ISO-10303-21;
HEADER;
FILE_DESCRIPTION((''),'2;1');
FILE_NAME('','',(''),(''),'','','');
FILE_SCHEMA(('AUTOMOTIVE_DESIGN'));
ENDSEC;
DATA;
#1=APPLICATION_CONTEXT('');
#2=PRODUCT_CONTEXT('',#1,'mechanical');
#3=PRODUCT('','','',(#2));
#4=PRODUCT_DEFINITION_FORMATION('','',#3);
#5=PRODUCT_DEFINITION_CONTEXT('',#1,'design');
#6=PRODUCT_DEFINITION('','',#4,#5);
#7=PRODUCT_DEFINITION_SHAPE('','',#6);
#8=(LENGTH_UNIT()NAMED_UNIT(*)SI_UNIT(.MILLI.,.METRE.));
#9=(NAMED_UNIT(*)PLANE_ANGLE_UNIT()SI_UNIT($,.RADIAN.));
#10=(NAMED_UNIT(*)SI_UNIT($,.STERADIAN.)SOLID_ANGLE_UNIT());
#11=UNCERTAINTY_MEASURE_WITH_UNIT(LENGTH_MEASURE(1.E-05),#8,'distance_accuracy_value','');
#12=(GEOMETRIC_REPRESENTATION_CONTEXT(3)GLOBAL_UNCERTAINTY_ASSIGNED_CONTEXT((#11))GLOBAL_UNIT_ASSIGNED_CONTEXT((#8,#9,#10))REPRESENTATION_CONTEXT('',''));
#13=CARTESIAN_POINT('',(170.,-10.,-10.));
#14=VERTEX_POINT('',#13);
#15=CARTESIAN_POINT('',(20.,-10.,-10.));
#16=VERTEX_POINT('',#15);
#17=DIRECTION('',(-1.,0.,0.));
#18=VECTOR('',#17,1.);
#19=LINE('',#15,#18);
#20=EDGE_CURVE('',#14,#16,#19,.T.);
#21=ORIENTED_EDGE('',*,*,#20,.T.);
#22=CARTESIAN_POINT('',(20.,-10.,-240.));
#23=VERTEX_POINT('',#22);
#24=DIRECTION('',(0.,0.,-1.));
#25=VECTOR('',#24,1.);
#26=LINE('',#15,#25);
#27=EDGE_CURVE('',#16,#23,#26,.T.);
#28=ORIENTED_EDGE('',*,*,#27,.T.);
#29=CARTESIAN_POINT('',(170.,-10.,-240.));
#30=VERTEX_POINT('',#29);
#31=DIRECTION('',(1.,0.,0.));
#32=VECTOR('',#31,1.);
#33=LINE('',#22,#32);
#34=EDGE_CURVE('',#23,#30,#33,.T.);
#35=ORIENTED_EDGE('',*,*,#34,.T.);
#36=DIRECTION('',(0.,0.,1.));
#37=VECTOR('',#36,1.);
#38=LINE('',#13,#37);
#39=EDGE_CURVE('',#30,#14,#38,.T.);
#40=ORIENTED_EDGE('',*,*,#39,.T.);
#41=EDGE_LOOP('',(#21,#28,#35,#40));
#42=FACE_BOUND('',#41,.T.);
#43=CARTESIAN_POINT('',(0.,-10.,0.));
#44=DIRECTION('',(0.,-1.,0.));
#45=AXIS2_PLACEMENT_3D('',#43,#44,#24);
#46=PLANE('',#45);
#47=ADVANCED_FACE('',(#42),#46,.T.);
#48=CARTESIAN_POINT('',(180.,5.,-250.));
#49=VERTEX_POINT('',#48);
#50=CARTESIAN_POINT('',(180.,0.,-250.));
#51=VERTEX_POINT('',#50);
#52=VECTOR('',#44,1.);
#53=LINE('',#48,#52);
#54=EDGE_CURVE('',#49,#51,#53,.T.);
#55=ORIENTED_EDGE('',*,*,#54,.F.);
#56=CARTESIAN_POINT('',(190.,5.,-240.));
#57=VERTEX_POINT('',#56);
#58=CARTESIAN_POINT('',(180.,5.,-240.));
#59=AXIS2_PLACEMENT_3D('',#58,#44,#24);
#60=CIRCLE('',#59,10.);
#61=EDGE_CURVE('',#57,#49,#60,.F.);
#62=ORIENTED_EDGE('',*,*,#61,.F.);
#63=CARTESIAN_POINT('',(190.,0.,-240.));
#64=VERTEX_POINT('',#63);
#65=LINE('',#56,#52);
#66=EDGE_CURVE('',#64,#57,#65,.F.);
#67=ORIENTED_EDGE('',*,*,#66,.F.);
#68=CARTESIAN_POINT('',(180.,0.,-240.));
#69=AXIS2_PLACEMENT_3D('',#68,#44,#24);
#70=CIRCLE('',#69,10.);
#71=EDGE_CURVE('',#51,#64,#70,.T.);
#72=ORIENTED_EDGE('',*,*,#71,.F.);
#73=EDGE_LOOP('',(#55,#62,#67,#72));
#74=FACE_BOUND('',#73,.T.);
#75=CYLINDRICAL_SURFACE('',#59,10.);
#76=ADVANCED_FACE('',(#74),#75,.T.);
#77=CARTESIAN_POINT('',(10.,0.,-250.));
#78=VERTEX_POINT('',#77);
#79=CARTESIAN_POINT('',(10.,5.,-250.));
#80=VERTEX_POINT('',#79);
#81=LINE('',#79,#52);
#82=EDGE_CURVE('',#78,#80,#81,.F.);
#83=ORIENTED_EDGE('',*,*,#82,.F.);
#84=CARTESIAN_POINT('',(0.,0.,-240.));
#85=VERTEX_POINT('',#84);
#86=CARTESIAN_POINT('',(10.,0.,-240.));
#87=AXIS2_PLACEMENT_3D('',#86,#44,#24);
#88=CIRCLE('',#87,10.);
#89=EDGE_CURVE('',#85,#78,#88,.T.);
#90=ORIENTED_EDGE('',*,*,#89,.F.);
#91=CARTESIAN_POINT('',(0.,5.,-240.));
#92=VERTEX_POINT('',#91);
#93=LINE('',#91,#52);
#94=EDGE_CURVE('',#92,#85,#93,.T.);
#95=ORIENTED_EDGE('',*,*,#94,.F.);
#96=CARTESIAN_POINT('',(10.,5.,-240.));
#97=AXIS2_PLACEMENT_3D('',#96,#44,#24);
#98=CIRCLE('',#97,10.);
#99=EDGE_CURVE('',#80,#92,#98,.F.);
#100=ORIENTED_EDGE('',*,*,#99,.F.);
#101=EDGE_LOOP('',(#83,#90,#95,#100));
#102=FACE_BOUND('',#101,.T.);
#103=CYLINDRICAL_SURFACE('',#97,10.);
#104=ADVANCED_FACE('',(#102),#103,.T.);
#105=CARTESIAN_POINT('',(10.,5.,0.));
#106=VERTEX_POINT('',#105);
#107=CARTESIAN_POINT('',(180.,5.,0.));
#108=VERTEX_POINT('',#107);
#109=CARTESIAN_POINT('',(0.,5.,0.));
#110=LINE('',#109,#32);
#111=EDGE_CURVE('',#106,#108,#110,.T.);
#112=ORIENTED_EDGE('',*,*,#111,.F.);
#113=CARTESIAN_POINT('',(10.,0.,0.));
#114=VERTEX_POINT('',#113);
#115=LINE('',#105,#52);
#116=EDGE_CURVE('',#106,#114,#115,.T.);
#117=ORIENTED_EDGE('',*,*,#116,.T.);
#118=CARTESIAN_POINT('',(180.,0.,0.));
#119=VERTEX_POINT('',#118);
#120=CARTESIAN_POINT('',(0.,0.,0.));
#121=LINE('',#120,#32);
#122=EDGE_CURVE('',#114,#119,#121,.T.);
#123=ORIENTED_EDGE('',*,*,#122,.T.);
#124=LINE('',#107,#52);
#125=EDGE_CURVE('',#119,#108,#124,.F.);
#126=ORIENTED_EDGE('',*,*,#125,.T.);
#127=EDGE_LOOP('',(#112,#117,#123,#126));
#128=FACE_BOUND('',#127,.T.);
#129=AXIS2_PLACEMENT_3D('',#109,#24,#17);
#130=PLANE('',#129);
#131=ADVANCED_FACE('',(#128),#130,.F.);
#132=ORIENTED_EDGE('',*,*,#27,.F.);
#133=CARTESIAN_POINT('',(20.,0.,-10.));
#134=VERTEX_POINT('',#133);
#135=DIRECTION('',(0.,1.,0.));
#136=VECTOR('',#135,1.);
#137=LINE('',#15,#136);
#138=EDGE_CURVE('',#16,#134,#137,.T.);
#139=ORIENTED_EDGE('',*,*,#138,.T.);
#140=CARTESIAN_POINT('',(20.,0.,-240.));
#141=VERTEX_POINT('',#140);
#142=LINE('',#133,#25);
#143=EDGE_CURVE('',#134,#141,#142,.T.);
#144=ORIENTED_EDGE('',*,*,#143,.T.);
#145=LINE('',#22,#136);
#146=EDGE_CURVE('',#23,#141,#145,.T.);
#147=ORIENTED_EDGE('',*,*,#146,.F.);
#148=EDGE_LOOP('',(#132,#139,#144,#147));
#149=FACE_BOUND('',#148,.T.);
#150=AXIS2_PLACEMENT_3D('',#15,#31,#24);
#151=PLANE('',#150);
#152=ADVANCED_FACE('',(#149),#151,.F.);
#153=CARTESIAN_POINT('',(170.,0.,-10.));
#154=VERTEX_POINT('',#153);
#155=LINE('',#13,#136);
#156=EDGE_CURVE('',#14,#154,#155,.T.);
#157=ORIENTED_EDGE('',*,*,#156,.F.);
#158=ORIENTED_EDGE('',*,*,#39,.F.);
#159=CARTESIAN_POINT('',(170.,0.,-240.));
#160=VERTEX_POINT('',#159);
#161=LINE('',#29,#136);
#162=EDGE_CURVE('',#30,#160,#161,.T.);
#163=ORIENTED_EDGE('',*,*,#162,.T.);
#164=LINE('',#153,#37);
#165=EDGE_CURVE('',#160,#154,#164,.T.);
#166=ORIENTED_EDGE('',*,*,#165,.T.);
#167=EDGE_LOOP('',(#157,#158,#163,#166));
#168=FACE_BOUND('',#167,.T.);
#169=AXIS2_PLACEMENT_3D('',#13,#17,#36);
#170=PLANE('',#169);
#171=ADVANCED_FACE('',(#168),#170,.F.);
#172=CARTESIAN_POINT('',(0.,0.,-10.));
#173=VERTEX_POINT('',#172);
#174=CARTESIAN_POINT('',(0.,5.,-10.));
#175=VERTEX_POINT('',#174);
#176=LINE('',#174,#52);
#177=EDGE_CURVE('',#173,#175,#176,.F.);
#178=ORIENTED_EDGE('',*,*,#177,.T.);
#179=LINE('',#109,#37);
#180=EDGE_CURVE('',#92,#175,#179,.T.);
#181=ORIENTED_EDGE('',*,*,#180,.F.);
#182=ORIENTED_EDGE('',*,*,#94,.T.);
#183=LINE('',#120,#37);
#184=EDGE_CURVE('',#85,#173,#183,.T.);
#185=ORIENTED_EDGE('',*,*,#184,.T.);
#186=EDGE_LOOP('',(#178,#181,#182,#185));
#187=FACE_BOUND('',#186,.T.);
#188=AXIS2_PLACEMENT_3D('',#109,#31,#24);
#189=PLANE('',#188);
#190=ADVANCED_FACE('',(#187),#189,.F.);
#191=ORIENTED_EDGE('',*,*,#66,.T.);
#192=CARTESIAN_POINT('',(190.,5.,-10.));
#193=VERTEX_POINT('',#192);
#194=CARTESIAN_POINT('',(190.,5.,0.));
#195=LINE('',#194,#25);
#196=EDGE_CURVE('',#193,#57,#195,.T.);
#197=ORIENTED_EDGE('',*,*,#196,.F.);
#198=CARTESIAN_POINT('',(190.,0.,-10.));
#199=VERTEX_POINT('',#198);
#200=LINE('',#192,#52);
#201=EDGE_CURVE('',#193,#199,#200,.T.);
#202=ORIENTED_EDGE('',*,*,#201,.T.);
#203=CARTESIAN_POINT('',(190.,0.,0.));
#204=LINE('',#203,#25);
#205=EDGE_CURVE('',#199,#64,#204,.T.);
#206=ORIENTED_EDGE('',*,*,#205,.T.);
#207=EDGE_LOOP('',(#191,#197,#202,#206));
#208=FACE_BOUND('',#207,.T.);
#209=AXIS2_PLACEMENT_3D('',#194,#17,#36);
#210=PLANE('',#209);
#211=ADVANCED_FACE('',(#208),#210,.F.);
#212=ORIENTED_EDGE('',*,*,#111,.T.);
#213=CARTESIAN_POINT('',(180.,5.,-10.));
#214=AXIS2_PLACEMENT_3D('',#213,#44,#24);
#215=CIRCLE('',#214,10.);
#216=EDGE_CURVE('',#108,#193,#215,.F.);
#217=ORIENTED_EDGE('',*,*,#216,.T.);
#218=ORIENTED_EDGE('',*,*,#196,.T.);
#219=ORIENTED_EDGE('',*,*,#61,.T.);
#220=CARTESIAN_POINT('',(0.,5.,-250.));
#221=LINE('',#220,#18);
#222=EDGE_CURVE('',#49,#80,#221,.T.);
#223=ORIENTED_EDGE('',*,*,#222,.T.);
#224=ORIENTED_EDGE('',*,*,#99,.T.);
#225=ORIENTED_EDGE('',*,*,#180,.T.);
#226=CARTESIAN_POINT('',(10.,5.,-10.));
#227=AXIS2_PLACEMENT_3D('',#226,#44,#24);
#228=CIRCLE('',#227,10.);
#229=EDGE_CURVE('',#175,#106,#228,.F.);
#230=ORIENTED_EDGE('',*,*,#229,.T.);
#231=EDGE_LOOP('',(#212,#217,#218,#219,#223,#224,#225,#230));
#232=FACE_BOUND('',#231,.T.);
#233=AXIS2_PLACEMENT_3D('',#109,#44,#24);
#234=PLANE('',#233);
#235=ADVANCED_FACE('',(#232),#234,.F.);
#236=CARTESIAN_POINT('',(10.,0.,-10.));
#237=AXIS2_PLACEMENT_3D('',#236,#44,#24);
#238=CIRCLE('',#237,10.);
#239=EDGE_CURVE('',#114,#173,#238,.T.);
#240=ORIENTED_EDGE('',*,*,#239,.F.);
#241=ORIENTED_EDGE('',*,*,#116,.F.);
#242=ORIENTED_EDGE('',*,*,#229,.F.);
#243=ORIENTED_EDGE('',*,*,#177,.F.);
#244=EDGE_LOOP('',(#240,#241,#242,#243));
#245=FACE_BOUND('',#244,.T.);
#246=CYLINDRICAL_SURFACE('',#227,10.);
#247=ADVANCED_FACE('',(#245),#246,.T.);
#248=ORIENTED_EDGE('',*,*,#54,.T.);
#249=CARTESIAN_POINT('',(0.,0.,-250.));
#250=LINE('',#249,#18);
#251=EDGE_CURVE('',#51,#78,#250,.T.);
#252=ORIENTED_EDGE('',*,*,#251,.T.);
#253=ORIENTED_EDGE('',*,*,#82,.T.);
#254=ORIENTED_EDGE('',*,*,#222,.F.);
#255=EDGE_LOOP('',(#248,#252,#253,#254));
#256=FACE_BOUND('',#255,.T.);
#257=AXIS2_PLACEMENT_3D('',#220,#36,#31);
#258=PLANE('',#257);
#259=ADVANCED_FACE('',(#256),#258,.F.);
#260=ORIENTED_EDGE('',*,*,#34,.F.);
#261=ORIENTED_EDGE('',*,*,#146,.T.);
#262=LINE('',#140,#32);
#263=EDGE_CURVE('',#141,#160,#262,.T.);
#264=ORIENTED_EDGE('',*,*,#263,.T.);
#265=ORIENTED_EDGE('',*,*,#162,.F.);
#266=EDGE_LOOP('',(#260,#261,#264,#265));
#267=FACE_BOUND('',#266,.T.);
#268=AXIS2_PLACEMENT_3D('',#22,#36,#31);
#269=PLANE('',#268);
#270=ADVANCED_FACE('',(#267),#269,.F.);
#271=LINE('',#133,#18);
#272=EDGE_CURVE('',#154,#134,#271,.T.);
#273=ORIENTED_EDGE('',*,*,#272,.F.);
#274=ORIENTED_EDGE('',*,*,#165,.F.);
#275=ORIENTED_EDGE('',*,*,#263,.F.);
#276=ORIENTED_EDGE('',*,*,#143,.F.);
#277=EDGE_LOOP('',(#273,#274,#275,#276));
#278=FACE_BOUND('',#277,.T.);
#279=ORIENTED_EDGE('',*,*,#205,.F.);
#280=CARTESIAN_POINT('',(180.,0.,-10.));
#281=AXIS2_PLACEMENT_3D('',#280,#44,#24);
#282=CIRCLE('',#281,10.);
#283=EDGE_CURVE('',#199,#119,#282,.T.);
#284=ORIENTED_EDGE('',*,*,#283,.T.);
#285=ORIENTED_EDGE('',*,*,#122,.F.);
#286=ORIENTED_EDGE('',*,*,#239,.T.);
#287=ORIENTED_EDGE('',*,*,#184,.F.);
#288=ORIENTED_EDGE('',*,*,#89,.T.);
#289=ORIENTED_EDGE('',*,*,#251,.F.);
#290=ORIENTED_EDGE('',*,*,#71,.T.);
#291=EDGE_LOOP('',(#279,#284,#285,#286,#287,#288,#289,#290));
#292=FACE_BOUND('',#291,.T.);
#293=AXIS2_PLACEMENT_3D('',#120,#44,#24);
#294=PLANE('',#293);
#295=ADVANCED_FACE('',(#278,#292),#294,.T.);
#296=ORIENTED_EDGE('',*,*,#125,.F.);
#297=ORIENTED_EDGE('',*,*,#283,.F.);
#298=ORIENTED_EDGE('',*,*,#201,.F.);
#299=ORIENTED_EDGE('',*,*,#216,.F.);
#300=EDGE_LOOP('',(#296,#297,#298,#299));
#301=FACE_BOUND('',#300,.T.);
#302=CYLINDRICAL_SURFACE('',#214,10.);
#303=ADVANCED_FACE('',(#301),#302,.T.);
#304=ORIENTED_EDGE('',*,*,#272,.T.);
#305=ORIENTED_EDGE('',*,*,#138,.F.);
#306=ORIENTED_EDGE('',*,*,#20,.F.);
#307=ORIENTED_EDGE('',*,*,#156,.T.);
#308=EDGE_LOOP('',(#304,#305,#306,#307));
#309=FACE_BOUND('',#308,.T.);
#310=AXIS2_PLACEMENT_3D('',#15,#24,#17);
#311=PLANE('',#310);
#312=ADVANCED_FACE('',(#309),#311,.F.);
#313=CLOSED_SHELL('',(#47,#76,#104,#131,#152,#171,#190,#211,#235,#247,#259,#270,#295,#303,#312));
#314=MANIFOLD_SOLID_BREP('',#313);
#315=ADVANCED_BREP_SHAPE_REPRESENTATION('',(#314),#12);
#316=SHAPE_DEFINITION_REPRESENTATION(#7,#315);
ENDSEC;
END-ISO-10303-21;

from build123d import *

# Parameters (mm, degrees)
CROQUIS1_W              = 190
CROQUIS1_H              = 250
SALIENTE_EXTRUIR1_DEPTH = 5
REDONDEO1_R             = 10
CROQUIS2_W              = 150
CROQUIS2_H              = 230
SALIENTE_EXTRUIR2_DEPTH = 10


with BuildPart() as part:
    # Croquis1 → Saliente-Extruir1 (new body)
    with BuildSketch(Plane(origin=(0, 0, 0), x_dir=(1, 0, 0), z_dir=(0, 1, 0))):
        with Locations((95, 125)):
            Rectangle(CROQUIS1_W, CROQUIS1_H)
    extrude(amount=SALIENTE_EXTRUIR1_DEPTH)

    # Redondeo1
    redondeo1_edges = [part.edges().sort_by_distance(p)[0] for p in [
        (0, 2.5, -250),
        (190, 2.5, -250),
        (190, 2.5, 0),
        (0, 2.5, 0),
    ]]
    fillet(redondeo1_edges, radius=REDONDEO1_R)

    # Croquis2 → Saliente-Extruir2 (add)
    with BuildSketch(Plane.XZ):
        with Locations((95, -125)):
            Rectangle(CROQUIS2_W, CROQUIS2_H)
    extrude(amount=SALIENTE_EXTRUIR2_DEPTH)


solid = part.part
